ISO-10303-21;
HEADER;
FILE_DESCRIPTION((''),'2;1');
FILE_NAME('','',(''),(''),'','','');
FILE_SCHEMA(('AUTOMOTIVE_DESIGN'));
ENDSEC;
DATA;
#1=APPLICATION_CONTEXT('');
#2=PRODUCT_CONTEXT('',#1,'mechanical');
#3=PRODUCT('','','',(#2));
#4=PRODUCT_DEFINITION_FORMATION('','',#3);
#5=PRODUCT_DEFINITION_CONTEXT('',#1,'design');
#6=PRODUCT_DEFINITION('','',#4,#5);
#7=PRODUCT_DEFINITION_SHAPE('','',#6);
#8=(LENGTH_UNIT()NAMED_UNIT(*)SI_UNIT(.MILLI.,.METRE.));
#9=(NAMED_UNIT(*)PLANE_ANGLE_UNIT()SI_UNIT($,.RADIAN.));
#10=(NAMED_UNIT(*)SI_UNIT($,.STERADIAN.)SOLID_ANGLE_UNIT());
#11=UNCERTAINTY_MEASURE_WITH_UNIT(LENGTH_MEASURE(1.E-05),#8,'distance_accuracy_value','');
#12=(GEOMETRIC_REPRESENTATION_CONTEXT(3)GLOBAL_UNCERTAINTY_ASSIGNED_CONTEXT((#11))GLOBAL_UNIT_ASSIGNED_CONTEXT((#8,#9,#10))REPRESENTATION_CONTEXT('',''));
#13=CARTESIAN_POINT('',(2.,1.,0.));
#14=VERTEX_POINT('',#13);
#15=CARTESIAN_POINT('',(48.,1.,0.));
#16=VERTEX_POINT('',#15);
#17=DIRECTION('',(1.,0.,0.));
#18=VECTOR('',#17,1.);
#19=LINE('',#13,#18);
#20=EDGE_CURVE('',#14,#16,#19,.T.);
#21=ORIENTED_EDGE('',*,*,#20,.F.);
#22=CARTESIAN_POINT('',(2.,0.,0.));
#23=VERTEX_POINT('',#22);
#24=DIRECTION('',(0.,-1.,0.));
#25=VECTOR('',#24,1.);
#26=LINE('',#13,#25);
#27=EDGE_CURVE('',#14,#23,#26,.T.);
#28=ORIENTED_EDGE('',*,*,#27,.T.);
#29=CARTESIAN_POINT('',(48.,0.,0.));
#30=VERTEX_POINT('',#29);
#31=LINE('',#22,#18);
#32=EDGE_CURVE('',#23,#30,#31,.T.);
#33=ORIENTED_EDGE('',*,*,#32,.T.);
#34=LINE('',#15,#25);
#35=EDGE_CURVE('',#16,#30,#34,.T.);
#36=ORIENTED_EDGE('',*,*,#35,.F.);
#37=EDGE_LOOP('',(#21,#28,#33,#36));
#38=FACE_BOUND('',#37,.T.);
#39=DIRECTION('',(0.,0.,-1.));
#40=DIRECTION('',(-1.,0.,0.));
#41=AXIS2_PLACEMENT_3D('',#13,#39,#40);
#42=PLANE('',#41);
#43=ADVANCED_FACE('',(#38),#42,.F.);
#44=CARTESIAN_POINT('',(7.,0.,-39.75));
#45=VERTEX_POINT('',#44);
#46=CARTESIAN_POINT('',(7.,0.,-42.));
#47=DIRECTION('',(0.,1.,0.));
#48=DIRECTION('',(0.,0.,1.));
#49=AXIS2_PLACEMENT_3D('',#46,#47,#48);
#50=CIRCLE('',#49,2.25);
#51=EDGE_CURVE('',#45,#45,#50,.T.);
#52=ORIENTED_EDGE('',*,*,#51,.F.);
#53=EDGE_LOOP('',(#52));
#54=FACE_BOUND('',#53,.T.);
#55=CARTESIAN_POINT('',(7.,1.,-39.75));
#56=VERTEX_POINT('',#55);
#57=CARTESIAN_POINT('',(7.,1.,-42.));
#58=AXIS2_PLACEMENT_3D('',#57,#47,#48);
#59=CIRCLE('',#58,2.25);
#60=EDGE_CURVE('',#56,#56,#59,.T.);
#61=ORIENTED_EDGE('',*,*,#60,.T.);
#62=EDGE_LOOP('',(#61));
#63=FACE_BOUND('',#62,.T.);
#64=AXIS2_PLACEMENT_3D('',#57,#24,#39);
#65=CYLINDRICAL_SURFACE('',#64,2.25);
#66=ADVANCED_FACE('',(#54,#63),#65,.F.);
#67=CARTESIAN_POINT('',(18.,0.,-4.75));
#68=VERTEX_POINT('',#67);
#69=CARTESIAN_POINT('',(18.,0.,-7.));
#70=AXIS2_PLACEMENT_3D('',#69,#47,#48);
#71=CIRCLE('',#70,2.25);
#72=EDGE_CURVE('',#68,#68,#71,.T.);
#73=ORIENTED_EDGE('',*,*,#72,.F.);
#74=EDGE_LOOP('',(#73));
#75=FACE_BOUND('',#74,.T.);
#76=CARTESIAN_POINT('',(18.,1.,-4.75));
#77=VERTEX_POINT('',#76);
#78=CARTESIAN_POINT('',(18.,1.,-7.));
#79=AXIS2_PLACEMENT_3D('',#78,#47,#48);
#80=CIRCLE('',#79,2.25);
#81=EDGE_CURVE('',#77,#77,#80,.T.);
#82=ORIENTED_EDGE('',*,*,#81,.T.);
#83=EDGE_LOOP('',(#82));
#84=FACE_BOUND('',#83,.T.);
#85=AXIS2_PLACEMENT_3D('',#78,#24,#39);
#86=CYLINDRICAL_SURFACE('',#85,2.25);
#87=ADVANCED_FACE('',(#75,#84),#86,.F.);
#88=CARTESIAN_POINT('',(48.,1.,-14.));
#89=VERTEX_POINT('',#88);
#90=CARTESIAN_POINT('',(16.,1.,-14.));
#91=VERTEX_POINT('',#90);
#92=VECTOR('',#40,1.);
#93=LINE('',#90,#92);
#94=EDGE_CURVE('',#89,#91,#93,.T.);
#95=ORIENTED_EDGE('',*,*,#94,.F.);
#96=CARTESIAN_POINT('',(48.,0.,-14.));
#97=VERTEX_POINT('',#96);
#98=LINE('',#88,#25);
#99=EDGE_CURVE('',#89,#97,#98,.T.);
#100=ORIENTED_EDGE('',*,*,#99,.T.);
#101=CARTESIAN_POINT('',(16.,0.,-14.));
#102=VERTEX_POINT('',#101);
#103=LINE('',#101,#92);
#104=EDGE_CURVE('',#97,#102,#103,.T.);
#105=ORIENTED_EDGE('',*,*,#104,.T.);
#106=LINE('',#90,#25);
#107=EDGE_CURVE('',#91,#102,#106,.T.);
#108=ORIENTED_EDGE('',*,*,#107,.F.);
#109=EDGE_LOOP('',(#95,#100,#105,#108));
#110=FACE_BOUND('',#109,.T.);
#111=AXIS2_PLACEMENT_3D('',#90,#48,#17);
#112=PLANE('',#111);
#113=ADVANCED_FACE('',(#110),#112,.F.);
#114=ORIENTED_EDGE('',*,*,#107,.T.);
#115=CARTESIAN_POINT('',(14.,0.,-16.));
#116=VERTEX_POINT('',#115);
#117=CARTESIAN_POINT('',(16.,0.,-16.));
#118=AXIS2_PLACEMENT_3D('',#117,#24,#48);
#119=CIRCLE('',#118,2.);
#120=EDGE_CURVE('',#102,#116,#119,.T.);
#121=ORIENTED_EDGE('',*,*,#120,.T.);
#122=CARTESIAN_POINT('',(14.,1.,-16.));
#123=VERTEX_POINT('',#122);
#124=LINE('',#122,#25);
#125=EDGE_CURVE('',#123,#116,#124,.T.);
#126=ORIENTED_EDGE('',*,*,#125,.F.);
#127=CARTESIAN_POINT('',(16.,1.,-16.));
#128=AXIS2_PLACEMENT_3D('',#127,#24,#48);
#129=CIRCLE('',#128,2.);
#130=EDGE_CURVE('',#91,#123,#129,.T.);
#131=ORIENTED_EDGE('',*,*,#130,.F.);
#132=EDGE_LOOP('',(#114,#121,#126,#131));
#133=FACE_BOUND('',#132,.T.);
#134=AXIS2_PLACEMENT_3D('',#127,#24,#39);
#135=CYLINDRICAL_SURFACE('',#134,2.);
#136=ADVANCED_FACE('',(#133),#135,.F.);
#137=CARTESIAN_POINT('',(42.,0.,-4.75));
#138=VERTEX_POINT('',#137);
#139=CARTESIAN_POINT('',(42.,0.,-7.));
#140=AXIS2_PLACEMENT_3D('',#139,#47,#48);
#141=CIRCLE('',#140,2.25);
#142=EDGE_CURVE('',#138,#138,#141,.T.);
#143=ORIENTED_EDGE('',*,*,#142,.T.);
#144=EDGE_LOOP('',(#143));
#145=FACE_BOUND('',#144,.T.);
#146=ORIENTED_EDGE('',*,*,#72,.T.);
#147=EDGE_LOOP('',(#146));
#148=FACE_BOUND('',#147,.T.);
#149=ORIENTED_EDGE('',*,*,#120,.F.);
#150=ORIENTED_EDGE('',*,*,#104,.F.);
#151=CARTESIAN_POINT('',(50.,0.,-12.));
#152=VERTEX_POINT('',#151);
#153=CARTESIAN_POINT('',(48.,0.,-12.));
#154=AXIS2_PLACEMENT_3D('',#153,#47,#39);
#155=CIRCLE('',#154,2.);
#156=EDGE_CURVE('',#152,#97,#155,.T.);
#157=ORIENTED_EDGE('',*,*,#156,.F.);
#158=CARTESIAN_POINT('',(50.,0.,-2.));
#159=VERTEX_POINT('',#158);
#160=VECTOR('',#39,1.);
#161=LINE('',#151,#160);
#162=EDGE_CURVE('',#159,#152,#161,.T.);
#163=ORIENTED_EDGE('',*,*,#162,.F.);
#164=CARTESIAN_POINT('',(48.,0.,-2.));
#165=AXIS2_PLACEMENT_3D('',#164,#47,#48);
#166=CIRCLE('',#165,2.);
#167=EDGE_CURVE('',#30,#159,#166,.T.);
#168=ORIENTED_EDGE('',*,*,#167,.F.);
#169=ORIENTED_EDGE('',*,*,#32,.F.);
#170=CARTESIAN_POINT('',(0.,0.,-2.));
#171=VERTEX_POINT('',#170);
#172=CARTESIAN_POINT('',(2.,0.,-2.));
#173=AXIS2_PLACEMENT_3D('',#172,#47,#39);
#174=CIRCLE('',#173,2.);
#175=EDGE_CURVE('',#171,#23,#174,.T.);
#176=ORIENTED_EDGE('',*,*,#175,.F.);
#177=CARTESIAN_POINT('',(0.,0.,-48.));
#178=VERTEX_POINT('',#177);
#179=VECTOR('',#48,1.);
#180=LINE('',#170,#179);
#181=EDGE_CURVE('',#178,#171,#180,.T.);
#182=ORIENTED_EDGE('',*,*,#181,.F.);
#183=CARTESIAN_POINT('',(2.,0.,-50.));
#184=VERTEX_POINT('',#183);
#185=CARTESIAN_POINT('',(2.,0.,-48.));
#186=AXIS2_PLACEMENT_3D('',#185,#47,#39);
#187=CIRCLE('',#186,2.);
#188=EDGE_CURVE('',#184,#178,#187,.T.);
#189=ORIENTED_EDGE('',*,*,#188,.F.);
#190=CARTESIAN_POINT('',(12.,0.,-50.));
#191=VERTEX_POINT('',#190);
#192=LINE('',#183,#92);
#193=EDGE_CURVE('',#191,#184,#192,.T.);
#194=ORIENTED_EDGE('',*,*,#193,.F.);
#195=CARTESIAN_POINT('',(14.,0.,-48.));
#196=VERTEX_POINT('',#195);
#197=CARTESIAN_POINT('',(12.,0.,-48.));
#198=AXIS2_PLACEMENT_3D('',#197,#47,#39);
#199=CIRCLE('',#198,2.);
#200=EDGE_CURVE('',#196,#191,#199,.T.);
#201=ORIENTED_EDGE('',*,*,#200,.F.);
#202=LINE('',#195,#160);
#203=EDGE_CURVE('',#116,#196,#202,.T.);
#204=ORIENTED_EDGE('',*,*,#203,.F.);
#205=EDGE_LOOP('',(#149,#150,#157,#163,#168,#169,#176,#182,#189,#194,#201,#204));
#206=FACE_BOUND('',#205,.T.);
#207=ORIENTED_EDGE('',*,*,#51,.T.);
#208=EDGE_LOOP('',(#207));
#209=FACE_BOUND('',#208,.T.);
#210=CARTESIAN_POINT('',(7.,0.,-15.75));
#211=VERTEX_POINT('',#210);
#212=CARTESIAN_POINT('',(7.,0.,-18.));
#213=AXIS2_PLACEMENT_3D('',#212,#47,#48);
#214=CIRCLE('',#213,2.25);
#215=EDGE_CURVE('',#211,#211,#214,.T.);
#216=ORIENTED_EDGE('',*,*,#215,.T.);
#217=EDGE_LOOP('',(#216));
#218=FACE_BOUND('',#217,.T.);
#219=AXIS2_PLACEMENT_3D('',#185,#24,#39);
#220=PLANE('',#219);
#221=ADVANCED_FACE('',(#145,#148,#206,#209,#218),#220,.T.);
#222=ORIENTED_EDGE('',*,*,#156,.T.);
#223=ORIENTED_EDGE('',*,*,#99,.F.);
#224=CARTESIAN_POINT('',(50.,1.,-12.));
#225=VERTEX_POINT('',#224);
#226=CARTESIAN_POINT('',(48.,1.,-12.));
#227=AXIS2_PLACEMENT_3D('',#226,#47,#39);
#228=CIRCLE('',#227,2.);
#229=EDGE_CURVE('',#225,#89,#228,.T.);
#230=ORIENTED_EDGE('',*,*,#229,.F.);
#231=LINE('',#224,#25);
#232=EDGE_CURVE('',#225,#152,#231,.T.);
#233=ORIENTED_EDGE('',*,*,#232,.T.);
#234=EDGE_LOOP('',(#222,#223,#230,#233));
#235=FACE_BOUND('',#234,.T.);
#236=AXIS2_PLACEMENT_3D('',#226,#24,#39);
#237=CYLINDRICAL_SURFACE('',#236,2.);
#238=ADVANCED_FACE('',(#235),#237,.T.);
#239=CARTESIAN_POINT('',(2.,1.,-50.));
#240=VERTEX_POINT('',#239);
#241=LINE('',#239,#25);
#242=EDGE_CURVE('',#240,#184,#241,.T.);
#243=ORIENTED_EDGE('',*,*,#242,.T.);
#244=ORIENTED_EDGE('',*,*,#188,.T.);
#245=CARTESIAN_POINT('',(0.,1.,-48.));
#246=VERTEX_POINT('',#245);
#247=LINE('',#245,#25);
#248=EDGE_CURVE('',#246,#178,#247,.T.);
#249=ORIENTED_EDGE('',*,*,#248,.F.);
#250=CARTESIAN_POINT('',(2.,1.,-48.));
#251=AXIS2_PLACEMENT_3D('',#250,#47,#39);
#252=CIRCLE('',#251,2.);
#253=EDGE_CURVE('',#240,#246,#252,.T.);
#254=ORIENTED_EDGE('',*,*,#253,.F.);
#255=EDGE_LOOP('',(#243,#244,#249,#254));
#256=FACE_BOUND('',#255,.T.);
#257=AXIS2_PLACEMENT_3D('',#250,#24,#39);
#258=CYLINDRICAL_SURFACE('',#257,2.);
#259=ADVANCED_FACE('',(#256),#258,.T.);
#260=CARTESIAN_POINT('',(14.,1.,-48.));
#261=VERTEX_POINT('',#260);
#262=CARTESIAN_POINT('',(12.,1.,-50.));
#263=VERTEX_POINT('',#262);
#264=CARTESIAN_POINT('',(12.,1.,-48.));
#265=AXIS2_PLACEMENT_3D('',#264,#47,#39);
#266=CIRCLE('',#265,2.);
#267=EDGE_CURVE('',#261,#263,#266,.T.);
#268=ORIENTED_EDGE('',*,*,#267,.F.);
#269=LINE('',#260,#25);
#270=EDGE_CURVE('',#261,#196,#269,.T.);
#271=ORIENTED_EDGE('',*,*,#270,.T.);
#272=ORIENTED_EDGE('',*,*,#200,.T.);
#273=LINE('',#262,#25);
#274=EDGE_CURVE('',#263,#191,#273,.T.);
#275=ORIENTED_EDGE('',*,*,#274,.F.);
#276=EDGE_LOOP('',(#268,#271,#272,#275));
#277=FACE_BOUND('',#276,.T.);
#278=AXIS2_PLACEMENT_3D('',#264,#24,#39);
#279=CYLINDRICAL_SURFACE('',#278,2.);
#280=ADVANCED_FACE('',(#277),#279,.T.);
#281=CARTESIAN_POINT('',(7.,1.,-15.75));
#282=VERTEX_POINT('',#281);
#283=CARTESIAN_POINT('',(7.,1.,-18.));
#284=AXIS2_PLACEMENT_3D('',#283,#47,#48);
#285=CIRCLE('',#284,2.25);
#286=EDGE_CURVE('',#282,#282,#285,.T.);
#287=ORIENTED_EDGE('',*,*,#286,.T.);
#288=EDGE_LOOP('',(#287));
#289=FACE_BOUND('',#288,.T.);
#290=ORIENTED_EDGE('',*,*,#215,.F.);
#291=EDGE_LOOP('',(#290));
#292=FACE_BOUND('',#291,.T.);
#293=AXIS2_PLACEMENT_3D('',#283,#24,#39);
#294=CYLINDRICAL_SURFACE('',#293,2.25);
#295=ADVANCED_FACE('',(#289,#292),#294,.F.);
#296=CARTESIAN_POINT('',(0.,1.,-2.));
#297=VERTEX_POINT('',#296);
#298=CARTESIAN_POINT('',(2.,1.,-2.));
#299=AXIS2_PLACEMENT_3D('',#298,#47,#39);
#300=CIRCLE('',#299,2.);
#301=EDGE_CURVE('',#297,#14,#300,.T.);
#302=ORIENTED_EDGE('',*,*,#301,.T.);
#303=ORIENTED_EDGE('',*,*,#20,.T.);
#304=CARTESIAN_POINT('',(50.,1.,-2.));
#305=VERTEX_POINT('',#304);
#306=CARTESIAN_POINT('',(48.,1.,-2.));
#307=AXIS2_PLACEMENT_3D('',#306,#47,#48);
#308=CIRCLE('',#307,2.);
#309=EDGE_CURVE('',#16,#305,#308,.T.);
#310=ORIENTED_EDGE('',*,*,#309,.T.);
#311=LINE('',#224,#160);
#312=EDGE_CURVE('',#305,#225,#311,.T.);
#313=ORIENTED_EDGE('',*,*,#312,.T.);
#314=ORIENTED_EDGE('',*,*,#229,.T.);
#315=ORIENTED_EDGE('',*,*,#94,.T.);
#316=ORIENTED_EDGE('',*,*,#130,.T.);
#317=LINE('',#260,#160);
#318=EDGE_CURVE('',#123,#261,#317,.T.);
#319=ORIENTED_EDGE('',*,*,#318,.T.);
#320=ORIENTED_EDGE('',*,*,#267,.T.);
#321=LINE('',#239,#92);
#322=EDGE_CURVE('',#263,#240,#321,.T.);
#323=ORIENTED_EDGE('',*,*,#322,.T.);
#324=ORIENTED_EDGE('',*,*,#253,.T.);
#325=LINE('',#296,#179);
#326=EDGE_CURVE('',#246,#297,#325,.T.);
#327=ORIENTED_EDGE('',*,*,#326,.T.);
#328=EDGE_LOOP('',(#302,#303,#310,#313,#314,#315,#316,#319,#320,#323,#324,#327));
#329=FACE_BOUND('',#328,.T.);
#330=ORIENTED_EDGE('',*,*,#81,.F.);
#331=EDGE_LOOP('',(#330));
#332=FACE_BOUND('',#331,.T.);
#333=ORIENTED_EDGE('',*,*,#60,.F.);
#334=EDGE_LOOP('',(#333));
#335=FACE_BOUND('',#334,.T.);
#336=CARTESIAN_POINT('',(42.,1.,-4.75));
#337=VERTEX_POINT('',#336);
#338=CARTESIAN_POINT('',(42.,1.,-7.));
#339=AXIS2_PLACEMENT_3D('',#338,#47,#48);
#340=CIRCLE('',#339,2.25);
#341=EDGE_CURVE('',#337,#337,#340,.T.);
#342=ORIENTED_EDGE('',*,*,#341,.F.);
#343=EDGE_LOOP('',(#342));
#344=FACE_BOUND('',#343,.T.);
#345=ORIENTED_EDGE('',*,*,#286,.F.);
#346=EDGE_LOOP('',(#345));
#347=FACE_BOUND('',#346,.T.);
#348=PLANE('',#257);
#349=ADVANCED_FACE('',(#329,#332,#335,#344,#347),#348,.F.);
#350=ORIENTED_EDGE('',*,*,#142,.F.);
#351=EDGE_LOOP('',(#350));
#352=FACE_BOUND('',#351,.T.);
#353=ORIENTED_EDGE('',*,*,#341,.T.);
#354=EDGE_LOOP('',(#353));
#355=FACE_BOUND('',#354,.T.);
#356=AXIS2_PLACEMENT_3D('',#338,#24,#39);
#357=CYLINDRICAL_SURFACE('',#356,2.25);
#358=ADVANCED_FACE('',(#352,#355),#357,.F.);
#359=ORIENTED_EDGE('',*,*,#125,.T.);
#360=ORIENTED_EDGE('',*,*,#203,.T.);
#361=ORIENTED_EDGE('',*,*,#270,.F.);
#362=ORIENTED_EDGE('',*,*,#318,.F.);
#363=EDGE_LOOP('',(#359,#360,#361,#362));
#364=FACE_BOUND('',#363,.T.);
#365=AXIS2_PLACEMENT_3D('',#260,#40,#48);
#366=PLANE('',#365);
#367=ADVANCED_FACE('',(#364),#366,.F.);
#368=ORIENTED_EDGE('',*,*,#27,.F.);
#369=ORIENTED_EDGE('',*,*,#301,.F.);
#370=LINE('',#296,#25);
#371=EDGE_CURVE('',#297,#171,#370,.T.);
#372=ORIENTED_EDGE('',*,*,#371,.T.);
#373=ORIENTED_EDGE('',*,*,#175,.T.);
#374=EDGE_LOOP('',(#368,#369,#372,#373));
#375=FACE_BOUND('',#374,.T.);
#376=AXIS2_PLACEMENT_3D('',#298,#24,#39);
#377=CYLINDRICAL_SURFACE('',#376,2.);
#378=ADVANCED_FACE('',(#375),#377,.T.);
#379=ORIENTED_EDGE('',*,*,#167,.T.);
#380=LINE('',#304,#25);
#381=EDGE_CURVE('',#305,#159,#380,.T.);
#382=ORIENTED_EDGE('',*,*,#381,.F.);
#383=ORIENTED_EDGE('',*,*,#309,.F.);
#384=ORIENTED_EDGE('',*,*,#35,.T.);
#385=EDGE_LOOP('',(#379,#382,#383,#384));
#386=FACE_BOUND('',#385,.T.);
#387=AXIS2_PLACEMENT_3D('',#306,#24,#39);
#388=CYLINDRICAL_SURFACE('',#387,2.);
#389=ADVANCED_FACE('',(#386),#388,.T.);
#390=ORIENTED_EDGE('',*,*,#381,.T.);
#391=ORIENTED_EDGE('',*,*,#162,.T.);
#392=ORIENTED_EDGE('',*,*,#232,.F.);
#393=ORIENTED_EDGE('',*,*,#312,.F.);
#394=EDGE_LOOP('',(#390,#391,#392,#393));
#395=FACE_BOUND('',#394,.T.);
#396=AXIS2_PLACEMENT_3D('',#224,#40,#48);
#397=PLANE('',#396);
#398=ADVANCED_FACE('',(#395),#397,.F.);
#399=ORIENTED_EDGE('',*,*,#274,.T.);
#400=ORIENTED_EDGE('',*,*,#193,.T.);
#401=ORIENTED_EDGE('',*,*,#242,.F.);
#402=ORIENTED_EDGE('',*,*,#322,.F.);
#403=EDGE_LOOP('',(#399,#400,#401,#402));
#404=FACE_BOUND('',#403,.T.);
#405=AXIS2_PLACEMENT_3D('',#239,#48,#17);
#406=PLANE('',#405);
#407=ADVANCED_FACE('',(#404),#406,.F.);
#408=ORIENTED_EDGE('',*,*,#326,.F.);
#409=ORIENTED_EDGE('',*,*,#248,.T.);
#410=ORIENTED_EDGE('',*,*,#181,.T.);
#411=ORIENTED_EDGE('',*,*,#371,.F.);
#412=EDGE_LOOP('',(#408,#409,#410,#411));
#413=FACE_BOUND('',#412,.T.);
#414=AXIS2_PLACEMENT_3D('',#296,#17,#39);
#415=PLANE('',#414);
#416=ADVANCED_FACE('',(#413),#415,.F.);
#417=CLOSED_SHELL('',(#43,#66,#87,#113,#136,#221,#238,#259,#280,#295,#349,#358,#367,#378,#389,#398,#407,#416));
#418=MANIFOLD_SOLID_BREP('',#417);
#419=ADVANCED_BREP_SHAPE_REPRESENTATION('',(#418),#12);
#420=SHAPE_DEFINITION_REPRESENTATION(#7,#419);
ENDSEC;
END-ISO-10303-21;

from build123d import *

# Parameters (mm, degrees)
SKETCH_1_R      = 2.25
EXTRUDE_2_DEPTH = 1


with BuildPart() as part:
    # 草图1 → 凸台-拉伸2 (new body)
    with BuildSketch(Plane(origin=(0, 0, 0), x_dir=(1, 0, 0), z_dir=(0, 1, 0))):
        with BuildLine():
            Line((2, 50), (12, 50))
            ThreePointArc((12, 50), (13.414213562, 49.414213562), (14, 48))
            Line((14, 48), (14, 16))
            ThreePointArc((14, 16), (14.585786438, 14.585786438), (16, 14))
            Line((16, 14), (48, 14))
            ThreePointArc((48, 14), (49.414213562, 13.414213562), (50, 12))
            Line((50, 12), (50, 2))
            ThreePointArc((50, 2), (49.414213562, 0.585786438), (48, 0))
            Line((48, 0), (2, 0))
            ThreePointArc((2, 0), (0.585786438, 0.585786438), (0, 2))
            Line((0, 2), (0, 48))
            ThreePointArc((0, 48), (0.585786438, 49.414213562), (2, 50))
        make_face()
        with Locations(Location((18, 7, 0), (0, 0, 270))):
            Circle(SKETCH_1_R, mode=Mode.SUBTRACT)
        with Locations(Location((42, 7, 0), (0, 0, 270))):
            Circle(SKETCH_1_R, mode=Mode.SUBTRACT)
        with Locations(Location((7, 18, 0), (0, 0, 270))):
            Circle(SKETCH_1_R, mode=Mode.SUBTRACT)
        with Locations(Location((7, 42, 0), (0, 0, 270))):
            Circle(SKETCH_1_R, mode=Mode.SUBTRACT)
    extrude(amount=EXTRUDE_2_DEPTH)


solid = part.part
